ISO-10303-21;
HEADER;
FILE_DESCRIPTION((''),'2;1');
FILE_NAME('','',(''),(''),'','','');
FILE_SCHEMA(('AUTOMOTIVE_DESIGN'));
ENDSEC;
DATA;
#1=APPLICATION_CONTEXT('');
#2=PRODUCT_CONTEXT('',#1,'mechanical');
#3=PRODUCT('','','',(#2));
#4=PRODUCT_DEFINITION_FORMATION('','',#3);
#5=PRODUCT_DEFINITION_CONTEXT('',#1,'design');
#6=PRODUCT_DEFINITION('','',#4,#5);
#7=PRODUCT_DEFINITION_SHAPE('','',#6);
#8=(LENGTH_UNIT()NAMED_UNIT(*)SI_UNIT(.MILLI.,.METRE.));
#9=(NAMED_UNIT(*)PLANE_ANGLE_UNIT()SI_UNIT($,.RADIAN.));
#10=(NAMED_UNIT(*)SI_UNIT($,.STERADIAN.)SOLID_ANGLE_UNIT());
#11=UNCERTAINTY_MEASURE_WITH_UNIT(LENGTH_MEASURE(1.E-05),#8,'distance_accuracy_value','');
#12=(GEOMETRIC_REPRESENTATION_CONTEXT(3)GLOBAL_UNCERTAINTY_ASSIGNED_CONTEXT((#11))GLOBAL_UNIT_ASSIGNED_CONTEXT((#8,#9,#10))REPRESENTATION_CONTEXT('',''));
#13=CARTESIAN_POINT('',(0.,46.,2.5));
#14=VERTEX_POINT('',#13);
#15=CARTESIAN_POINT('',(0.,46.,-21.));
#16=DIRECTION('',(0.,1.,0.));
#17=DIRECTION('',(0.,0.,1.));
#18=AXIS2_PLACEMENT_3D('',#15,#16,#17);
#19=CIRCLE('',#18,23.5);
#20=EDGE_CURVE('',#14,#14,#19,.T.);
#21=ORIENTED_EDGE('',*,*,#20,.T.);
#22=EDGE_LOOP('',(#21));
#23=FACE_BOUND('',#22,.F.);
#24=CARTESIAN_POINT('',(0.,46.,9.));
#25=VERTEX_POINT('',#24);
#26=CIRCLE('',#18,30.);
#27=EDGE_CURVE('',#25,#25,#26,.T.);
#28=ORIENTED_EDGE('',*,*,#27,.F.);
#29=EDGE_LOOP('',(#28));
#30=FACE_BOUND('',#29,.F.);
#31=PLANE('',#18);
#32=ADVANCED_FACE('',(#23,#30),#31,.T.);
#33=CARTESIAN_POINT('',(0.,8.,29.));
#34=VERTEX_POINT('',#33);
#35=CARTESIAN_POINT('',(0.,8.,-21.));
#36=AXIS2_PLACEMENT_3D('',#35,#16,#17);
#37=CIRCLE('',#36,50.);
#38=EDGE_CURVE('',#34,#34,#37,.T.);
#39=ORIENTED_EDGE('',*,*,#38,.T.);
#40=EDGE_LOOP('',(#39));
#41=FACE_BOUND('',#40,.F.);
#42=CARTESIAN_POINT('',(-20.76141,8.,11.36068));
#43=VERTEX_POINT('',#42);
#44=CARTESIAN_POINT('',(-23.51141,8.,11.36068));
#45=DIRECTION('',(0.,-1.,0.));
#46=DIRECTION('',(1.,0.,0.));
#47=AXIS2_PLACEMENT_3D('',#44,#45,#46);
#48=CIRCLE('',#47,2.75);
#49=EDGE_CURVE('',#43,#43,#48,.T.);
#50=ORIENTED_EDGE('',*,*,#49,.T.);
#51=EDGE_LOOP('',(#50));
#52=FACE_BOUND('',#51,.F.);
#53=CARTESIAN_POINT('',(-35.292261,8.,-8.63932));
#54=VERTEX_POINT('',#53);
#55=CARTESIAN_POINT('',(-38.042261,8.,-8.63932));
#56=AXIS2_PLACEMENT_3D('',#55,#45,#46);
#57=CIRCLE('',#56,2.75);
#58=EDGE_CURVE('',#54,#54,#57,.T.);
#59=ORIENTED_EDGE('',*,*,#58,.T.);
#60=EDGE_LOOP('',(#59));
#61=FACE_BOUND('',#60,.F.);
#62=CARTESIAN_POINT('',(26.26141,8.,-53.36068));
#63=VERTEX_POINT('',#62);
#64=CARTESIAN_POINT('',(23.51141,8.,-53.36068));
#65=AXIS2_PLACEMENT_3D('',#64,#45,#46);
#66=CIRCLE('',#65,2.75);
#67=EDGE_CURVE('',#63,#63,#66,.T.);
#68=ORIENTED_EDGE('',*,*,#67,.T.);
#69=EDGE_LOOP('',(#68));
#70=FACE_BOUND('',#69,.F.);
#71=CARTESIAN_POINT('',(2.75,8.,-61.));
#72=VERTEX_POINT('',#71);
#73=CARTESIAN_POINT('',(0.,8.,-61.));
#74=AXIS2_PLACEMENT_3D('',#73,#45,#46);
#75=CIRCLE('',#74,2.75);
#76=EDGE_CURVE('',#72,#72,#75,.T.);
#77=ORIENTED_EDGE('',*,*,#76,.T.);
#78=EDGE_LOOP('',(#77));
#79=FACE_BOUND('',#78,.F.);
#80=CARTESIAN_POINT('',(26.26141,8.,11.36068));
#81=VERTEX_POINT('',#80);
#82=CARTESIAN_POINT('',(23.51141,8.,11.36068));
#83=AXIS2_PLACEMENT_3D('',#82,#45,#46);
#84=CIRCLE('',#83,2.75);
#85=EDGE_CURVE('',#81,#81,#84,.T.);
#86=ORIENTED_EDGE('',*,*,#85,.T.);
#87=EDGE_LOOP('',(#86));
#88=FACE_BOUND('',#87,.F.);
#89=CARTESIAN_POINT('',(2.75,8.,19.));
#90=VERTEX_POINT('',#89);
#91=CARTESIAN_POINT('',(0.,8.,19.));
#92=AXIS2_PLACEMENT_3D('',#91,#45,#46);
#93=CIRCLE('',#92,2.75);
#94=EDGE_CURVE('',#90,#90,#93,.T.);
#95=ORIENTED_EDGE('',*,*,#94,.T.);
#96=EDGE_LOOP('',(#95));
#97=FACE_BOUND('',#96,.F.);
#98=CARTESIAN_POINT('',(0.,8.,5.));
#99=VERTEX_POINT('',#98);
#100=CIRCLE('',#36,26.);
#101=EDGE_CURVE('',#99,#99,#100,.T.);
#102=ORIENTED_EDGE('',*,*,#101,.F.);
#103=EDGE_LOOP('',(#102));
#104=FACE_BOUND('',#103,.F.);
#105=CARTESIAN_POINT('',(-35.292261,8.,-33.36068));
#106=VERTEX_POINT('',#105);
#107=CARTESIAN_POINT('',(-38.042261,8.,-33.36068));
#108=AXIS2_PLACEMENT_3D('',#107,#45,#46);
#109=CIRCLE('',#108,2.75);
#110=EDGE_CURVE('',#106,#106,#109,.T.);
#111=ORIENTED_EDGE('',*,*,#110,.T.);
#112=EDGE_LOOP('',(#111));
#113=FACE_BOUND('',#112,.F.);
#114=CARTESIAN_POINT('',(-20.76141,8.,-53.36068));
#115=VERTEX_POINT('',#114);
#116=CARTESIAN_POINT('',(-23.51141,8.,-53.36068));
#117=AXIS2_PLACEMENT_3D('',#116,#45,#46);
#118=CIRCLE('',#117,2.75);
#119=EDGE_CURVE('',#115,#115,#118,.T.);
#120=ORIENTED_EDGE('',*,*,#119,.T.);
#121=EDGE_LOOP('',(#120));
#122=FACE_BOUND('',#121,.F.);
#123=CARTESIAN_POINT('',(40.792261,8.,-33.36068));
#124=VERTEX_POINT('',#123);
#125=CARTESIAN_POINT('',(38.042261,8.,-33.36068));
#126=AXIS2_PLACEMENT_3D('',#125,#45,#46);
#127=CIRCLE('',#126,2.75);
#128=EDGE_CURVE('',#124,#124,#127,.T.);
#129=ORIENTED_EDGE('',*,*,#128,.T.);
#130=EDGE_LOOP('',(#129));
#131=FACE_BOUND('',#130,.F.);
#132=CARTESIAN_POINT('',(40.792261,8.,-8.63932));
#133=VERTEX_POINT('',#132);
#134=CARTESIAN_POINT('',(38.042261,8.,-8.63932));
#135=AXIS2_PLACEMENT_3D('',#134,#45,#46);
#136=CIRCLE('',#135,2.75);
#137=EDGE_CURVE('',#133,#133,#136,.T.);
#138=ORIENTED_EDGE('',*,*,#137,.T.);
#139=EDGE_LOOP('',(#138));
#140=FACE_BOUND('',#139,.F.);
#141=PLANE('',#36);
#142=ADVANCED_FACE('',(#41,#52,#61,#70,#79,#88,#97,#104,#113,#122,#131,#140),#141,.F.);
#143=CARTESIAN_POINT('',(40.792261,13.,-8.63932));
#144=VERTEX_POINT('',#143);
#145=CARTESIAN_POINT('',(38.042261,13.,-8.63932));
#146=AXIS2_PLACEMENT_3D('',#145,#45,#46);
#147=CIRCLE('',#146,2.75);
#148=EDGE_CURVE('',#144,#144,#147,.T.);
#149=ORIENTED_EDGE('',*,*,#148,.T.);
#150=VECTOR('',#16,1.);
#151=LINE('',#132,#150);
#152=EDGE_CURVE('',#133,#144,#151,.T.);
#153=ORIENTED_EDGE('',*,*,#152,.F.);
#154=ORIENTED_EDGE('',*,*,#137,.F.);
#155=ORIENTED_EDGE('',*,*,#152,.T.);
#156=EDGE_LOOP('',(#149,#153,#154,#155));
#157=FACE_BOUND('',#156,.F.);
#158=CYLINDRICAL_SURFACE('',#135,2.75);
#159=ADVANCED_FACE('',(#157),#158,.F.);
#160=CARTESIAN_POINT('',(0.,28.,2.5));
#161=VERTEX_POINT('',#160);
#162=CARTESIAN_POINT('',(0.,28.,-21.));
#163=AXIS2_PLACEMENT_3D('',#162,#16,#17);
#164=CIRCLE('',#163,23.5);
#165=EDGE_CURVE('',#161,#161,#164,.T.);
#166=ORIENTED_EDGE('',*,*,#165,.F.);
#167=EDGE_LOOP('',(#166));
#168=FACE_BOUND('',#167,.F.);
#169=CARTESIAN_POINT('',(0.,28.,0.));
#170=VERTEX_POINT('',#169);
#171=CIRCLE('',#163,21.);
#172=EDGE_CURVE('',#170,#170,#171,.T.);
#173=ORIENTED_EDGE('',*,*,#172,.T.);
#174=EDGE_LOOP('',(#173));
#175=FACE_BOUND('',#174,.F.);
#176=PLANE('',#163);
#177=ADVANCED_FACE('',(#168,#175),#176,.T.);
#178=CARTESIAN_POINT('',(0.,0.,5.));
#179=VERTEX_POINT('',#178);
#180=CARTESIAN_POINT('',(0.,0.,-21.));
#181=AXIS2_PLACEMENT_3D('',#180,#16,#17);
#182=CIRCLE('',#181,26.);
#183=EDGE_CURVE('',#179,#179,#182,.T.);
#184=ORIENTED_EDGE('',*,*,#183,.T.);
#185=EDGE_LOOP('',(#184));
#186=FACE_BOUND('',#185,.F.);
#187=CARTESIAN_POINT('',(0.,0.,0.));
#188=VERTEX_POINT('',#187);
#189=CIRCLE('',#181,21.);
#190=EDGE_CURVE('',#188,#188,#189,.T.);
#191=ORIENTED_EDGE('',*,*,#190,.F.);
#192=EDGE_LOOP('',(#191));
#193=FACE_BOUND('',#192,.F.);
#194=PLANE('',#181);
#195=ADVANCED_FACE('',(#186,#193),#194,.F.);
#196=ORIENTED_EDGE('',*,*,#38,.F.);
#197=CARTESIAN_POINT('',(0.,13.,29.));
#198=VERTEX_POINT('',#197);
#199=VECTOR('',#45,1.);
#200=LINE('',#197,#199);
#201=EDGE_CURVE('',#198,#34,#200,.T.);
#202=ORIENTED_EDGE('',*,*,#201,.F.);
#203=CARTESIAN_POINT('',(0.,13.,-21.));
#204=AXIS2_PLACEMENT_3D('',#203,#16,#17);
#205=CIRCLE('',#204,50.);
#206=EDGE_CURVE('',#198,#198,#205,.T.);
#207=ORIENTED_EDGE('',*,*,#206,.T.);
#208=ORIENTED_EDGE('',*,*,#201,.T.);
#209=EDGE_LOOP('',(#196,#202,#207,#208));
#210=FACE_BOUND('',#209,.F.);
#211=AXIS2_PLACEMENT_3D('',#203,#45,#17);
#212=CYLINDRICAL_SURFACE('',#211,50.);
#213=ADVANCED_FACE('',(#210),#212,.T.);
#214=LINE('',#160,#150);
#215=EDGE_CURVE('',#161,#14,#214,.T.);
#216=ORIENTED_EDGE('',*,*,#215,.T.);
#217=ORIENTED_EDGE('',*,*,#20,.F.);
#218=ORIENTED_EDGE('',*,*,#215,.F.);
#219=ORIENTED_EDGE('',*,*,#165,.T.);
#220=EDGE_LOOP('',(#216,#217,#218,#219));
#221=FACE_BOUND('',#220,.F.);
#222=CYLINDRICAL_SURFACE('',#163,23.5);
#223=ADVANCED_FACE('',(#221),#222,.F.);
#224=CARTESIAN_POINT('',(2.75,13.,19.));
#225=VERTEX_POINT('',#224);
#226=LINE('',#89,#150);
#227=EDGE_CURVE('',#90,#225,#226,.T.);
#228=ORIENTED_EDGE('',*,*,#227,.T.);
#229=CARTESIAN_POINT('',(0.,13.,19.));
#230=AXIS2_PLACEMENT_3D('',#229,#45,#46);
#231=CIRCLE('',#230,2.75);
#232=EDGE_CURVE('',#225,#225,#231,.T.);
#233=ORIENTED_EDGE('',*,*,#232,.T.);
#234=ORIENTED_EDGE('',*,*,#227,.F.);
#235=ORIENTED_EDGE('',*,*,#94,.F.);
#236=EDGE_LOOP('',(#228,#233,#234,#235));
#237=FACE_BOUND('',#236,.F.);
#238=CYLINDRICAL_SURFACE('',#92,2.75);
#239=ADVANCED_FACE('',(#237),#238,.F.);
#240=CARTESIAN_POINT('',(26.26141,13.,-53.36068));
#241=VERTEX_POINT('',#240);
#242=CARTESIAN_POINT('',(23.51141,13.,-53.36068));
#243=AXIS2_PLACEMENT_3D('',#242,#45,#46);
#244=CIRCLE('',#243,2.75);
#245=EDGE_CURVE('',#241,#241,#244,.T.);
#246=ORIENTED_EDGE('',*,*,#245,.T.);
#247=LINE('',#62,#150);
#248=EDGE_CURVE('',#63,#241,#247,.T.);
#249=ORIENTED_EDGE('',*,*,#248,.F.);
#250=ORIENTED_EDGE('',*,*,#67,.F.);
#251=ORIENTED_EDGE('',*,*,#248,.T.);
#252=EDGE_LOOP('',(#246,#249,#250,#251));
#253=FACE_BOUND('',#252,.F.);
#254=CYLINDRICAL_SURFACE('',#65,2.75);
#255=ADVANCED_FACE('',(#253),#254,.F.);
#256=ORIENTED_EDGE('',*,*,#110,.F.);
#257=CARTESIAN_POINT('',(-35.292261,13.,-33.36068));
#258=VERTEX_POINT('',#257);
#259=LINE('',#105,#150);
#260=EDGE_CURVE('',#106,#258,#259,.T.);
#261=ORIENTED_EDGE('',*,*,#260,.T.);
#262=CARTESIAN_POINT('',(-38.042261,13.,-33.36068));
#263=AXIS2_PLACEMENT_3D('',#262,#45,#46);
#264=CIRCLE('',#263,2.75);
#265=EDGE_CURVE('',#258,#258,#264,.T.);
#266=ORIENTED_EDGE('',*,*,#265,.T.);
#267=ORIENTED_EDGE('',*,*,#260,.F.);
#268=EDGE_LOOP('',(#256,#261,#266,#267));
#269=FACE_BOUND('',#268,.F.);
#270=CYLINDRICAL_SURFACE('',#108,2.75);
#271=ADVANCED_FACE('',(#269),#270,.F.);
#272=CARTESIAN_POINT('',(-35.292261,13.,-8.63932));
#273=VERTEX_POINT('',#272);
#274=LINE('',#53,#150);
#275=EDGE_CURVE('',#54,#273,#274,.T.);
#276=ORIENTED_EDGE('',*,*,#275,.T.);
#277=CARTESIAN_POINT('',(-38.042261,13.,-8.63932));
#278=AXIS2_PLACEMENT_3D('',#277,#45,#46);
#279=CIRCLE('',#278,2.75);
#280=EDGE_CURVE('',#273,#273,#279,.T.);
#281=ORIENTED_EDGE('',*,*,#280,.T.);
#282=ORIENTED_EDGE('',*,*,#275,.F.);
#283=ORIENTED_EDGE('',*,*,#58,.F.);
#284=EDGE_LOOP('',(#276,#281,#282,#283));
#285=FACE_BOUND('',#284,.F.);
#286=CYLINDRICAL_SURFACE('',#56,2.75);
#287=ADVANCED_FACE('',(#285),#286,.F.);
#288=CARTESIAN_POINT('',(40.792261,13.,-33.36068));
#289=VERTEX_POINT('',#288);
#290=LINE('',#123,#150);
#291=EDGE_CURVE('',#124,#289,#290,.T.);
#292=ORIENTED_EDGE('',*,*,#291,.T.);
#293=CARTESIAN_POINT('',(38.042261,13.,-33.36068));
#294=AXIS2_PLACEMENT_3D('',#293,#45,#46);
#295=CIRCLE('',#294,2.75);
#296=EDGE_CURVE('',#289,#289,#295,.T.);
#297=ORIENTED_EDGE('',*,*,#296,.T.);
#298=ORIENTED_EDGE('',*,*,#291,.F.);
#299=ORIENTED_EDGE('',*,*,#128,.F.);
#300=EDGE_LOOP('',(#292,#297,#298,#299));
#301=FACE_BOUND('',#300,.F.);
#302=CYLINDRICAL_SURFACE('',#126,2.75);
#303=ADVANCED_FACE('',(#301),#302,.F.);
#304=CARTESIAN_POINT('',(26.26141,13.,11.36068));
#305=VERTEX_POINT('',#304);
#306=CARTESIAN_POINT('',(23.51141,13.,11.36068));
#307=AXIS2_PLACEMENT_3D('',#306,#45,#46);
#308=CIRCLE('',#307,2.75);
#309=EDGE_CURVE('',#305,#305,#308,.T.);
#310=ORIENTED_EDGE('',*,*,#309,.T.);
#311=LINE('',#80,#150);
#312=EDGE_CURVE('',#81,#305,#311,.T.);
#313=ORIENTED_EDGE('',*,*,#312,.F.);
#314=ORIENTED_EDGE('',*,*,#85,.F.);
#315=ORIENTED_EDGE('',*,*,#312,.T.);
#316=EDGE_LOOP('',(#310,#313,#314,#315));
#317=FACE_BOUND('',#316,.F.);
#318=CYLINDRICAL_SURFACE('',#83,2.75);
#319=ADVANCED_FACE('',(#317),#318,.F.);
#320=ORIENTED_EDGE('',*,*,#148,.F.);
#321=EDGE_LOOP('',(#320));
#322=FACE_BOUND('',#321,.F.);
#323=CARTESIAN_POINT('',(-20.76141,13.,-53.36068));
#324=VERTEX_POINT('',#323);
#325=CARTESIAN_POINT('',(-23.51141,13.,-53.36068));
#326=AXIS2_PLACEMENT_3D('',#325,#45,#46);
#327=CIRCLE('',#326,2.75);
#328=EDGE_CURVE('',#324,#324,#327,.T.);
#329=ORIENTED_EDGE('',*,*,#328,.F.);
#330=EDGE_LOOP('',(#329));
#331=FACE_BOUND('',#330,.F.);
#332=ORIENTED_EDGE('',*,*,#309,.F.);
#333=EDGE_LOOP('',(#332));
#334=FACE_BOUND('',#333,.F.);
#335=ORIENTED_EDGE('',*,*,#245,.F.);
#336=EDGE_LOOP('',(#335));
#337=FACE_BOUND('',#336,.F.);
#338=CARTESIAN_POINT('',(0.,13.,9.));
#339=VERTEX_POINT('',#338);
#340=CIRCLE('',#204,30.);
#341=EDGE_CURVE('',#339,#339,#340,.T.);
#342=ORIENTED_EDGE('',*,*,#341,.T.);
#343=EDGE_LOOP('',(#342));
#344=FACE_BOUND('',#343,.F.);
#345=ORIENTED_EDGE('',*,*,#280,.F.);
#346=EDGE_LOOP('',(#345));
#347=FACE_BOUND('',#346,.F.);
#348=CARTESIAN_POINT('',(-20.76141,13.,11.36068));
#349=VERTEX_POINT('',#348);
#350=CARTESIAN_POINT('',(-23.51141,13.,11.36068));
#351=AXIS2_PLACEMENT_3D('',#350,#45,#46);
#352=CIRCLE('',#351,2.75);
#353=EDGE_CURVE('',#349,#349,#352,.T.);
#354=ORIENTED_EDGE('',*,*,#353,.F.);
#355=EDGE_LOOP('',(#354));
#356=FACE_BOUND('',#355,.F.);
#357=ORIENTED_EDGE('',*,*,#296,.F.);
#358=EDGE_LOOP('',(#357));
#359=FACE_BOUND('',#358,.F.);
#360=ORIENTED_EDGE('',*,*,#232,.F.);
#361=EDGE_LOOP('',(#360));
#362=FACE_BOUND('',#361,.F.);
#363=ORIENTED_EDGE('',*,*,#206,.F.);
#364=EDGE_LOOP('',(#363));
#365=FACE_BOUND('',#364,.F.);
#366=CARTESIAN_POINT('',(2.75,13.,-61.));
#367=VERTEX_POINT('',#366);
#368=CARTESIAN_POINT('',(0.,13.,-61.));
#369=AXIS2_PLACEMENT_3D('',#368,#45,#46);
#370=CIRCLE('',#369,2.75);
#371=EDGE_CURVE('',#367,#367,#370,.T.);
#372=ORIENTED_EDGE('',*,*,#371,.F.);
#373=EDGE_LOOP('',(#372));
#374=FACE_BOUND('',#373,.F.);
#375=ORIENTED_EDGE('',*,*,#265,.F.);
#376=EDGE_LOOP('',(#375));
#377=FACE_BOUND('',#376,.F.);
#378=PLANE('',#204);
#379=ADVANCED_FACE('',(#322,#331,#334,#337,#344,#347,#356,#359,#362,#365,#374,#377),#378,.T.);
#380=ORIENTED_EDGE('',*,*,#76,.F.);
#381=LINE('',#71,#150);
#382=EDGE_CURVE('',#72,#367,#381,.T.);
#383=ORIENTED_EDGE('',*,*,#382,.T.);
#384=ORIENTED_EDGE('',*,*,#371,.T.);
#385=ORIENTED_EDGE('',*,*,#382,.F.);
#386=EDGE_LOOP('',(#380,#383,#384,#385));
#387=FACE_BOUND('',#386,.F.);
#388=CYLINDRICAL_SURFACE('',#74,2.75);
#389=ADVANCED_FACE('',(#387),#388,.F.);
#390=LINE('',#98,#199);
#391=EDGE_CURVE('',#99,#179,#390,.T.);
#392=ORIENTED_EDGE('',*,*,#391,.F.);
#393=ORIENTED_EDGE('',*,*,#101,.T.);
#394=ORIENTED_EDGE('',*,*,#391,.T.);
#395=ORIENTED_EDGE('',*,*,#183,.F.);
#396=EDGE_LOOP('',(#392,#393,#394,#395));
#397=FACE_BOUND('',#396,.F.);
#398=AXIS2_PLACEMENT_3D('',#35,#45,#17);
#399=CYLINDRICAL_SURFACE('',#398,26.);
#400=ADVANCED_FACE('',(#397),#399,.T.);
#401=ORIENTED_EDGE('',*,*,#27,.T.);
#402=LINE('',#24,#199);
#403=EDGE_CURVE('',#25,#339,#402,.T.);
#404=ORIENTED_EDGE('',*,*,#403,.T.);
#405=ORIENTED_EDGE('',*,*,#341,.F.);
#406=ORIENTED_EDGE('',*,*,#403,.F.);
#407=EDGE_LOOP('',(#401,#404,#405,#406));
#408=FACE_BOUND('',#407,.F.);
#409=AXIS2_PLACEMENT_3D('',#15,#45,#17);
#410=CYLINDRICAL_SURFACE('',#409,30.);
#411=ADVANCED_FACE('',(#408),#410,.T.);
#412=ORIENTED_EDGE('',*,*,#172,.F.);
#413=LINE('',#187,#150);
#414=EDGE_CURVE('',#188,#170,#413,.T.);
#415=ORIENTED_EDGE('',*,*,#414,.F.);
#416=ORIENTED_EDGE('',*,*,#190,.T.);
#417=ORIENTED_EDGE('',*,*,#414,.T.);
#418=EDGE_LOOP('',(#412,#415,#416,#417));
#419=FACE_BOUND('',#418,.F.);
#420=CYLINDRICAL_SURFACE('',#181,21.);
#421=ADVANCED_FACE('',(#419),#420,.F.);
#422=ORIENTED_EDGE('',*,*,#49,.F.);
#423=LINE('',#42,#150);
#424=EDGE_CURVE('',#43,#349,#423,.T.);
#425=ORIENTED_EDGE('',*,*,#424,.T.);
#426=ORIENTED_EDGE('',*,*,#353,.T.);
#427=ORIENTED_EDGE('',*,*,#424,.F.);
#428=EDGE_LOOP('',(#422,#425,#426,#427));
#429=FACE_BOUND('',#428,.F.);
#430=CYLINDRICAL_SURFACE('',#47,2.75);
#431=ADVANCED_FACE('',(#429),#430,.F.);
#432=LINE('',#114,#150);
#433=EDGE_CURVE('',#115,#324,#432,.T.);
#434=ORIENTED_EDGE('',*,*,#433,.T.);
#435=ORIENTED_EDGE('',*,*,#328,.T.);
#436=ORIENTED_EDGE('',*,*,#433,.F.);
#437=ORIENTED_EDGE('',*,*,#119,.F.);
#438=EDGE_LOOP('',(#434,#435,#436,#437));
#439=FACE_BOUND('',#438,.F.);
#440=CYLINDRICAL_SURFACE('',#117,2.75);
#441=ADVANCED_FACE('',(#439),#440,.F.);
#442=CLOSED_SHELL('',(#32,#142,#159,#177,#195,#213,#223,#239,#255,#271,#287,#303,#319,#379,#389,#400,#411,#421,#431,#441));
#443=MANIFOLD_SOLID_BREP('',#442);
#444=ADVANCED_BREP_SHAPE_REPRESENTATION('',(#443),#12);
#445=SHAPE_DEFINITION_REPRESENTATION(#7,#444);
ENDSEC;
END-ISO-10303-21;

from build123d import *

# Parameters (mm, degrees)
F2_R     = 2.75
F3_DEPTH = 25


with BuildPart() as f1:
    # F0 (on Right) → F1 (revolve)
    with BuildSketch(Plane.YZ):
        Polygon((46, 2.5), (46, 9), (13, 9), (13, 29), (8, 29), (8, 5), (0, 5), (0, 0), (28, 0), (28, 2.5), align=None)
    revolve(axis=Axis((0, 26.05508, -21), (0, 1, 0)))

    # F2 (on face) → F3 (cut)
    with BuildSketch(Plane.XZ.offset(-8)):
        with Locations((-23.51141, 11.36068)):
            Circle(F2_R)
        with Locations((-38.042261, -8.63932)):
            Circle(F2_R)
        with Locations((-38.042261, -33.36068)):
            Circle(F2_R)
        with Locations((-23.51141, -53.36068)):
            Circle(F2_R)
        with Locations((0, -61)):
            Circle(F2_R)
        with Locations((23.51141, -53.36068)):
            Circle(F2_R)
        with Locations((38.042261, -33.36068)):
            Circle(F2_R)
        with Locations((38.042261, -8.63932)):
            Circle(F2_R)
        with Locations((23.51141, 11.36068)):
            Circle(F2_R)
        with Locations((0, 19)):
            Circle(F2_R)
    extrude(amount=-F3_DEPTH, mode=Mode.SUBTRACT)


solid = f1.part
